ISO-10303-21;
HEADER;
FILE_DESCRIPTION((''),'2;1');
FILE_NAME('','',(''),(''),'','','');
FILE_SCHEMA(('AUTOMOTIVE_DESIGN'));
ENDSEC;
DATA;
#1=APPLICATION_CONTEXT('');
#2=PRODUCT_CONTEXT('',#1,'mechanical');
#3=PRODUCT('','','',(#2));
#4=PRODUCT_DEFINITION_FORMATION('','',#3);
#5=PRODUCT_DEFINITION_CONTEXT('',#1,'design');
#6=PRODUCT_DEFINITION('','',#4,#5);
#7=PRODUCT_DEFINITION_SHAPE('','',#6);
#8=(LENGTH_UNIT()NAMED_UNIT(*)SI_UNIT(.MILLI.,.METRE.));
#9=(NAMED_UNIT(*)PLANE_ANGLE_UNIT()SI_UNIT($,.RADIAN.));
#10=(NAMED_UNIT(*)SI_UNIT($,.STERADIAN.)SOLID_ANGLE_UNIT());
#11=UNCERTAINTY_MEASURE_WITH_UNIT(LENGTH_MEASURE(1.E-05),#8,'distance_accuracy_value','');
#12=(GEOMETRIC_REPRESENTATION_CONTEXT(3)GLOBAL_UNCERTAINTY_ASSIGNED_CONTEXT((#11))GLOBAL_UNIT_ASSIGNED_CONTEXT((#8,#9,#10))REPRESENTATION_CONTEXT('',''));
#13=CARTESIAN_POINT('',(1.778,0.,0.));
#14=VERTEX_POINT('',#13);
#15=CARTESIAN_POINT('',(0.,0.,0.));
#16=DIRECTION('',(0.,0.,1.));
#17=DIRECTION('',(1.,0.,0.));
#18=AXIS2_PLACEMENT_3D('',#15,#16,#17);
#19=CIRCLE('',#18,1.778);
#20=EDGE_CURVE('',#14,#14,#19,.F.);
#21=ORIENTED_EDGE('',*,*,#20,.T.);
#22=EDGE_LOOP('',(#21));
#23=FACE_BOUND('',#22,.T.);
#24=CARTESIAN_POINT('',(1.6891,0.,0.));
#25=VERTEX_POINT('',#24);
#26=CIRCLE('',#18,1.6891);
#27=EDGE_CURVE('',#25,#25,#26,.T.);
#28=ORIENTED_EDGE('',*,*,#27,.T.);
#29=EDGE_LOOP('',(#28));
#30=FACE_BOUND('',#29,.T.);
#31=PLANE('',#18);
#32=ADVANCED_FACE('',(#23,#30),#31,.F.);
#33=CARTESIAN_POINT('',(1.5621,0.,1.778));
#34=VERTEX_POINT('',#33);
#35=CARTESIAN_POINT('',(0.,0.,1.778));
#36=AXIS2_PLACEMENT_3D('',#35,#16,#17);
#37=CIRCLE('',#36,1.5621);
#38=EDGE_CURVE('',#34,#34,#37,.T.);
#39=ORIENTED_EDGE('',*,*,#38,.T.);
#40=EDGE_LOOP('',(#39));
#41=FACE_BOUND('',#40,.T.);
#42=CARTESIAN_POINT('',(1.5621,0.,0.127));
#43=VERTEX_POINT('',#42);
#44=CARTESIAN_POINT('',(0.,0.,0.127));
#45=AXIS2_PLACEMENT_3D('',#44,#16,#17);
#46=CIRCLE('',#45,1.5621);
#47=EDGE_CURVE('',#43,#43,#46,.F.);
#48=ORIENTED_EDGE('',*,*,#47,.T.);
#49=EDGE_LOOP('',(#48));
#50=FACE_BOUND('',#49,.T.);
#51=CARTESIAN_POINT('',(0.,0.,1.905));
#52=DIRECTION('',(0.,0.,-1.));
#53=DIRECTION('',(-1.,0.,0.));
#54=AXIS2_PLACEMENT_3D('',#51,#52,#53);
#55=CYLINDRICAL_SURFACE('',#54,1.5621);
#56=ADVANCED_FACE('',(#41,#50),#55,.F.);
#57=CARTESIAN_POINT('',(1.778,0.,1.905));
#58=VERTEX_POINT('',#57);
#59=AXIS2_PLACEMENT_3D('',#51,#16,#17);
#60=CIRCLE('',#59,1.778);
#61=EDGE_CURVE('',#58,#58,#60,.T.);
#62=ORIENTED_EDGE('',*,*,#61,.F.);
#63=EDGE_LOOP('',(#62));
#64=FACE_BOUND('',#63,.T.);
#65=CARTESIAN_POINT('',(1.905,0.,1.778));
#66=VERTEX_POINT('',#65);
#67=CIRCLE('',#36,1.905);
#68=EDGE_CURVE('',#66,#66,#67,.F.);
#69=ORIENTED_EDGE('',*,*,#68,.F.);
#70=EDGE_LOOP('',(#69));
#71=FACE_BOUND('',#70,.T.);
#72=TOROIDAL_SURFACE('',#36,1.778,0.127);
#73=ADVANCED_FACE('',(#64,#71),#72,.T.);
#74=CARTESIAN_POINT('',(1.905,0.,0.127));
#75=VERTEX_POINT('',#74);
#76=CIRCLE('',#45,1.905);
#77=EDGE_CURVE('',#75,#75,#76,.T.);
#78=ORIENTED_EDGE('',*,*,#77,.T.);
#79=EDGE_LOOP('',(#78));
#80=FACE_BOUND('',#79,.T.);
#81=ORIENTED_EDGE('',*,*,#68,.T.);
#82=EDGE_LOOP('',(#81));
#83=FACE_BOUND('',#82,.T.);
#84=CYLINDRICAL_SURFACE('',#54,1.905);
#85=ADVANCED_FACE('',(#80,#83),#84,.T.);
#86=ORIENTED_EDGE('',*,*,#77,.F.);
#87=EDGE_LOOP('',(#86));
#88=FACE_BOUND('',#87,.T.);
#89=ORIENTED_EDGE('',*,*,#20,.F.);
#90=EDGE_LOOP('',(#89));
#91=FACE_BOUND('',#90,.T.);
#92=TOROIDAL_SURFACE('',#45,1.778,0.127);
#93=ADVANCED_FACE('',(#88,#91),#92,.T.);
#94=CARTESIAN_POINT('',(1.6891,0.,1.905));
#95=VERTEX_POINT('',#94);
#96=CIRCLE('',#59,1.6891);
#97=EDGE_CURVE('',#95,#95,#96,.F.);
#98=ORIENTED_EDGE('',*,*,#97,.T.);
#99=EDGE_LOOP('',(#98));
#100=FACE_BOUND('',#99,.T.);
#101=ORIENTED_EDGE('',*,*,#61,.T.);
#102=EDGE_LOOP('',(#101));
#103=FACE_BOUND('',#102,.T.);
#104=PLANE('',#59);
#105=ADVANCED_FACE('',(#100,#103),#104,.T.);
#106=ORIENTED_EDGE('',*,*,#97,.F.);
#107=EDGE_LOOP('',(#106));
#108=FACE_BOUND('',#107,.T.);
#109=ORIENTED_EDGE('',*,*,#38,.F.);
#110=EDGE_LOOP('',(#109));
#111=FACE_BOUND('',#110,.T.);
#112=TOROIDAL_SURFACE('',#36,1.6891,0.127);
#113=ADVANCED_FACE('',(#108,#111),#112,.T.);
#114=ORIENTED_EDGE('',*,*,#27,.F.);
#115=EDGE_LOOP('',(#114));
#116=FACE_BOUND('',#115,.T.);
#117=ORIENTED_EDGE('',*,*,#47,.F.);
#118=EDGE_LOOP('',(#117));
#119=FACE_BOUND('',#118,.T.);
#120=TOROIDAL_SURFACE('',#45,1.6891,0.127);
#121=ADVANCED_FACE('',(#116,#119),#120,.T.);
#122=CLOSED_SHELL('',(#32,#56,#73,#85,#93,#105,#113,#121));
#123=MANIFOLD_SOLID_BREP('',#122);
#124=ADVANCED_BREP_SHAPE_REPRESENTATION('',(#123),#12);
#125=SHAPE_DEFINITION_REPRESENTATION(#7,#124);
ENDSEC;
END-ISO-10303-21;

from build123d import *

# Parameters (mm, degrees)
SKETCH1_R           = 1.905
SKETCH1_R_2         = 1.5621
BOSS_EXTRUDE1_DEPTH = 1.905
FILLET1_R           = 0.127


with BuildPart() as part:
    # Sketch1 → Boss-Extrude1 (new body)
    with BuildSketch(Plane.XY):
        Circle(SKETCH1_R)
        Circle(SKETCH1_R_2, mode=Mode.SUBTRACT)
    extrude(amount=BOSS_EXTRUDE1_DEPTH)

    # Fillet1
    fillet1_edges = [part.edges().sort_by_distance(p)[0] for p in [
        (-1.905, 0, 0),
        (-1.905, 0, 1.905),
        (-1.5621, 0, 0),
        (-1.5621, 0, 1.905),
    ]]
    fillet(fillet1_edges, radius=FILLET1_R)


solid = part.part
